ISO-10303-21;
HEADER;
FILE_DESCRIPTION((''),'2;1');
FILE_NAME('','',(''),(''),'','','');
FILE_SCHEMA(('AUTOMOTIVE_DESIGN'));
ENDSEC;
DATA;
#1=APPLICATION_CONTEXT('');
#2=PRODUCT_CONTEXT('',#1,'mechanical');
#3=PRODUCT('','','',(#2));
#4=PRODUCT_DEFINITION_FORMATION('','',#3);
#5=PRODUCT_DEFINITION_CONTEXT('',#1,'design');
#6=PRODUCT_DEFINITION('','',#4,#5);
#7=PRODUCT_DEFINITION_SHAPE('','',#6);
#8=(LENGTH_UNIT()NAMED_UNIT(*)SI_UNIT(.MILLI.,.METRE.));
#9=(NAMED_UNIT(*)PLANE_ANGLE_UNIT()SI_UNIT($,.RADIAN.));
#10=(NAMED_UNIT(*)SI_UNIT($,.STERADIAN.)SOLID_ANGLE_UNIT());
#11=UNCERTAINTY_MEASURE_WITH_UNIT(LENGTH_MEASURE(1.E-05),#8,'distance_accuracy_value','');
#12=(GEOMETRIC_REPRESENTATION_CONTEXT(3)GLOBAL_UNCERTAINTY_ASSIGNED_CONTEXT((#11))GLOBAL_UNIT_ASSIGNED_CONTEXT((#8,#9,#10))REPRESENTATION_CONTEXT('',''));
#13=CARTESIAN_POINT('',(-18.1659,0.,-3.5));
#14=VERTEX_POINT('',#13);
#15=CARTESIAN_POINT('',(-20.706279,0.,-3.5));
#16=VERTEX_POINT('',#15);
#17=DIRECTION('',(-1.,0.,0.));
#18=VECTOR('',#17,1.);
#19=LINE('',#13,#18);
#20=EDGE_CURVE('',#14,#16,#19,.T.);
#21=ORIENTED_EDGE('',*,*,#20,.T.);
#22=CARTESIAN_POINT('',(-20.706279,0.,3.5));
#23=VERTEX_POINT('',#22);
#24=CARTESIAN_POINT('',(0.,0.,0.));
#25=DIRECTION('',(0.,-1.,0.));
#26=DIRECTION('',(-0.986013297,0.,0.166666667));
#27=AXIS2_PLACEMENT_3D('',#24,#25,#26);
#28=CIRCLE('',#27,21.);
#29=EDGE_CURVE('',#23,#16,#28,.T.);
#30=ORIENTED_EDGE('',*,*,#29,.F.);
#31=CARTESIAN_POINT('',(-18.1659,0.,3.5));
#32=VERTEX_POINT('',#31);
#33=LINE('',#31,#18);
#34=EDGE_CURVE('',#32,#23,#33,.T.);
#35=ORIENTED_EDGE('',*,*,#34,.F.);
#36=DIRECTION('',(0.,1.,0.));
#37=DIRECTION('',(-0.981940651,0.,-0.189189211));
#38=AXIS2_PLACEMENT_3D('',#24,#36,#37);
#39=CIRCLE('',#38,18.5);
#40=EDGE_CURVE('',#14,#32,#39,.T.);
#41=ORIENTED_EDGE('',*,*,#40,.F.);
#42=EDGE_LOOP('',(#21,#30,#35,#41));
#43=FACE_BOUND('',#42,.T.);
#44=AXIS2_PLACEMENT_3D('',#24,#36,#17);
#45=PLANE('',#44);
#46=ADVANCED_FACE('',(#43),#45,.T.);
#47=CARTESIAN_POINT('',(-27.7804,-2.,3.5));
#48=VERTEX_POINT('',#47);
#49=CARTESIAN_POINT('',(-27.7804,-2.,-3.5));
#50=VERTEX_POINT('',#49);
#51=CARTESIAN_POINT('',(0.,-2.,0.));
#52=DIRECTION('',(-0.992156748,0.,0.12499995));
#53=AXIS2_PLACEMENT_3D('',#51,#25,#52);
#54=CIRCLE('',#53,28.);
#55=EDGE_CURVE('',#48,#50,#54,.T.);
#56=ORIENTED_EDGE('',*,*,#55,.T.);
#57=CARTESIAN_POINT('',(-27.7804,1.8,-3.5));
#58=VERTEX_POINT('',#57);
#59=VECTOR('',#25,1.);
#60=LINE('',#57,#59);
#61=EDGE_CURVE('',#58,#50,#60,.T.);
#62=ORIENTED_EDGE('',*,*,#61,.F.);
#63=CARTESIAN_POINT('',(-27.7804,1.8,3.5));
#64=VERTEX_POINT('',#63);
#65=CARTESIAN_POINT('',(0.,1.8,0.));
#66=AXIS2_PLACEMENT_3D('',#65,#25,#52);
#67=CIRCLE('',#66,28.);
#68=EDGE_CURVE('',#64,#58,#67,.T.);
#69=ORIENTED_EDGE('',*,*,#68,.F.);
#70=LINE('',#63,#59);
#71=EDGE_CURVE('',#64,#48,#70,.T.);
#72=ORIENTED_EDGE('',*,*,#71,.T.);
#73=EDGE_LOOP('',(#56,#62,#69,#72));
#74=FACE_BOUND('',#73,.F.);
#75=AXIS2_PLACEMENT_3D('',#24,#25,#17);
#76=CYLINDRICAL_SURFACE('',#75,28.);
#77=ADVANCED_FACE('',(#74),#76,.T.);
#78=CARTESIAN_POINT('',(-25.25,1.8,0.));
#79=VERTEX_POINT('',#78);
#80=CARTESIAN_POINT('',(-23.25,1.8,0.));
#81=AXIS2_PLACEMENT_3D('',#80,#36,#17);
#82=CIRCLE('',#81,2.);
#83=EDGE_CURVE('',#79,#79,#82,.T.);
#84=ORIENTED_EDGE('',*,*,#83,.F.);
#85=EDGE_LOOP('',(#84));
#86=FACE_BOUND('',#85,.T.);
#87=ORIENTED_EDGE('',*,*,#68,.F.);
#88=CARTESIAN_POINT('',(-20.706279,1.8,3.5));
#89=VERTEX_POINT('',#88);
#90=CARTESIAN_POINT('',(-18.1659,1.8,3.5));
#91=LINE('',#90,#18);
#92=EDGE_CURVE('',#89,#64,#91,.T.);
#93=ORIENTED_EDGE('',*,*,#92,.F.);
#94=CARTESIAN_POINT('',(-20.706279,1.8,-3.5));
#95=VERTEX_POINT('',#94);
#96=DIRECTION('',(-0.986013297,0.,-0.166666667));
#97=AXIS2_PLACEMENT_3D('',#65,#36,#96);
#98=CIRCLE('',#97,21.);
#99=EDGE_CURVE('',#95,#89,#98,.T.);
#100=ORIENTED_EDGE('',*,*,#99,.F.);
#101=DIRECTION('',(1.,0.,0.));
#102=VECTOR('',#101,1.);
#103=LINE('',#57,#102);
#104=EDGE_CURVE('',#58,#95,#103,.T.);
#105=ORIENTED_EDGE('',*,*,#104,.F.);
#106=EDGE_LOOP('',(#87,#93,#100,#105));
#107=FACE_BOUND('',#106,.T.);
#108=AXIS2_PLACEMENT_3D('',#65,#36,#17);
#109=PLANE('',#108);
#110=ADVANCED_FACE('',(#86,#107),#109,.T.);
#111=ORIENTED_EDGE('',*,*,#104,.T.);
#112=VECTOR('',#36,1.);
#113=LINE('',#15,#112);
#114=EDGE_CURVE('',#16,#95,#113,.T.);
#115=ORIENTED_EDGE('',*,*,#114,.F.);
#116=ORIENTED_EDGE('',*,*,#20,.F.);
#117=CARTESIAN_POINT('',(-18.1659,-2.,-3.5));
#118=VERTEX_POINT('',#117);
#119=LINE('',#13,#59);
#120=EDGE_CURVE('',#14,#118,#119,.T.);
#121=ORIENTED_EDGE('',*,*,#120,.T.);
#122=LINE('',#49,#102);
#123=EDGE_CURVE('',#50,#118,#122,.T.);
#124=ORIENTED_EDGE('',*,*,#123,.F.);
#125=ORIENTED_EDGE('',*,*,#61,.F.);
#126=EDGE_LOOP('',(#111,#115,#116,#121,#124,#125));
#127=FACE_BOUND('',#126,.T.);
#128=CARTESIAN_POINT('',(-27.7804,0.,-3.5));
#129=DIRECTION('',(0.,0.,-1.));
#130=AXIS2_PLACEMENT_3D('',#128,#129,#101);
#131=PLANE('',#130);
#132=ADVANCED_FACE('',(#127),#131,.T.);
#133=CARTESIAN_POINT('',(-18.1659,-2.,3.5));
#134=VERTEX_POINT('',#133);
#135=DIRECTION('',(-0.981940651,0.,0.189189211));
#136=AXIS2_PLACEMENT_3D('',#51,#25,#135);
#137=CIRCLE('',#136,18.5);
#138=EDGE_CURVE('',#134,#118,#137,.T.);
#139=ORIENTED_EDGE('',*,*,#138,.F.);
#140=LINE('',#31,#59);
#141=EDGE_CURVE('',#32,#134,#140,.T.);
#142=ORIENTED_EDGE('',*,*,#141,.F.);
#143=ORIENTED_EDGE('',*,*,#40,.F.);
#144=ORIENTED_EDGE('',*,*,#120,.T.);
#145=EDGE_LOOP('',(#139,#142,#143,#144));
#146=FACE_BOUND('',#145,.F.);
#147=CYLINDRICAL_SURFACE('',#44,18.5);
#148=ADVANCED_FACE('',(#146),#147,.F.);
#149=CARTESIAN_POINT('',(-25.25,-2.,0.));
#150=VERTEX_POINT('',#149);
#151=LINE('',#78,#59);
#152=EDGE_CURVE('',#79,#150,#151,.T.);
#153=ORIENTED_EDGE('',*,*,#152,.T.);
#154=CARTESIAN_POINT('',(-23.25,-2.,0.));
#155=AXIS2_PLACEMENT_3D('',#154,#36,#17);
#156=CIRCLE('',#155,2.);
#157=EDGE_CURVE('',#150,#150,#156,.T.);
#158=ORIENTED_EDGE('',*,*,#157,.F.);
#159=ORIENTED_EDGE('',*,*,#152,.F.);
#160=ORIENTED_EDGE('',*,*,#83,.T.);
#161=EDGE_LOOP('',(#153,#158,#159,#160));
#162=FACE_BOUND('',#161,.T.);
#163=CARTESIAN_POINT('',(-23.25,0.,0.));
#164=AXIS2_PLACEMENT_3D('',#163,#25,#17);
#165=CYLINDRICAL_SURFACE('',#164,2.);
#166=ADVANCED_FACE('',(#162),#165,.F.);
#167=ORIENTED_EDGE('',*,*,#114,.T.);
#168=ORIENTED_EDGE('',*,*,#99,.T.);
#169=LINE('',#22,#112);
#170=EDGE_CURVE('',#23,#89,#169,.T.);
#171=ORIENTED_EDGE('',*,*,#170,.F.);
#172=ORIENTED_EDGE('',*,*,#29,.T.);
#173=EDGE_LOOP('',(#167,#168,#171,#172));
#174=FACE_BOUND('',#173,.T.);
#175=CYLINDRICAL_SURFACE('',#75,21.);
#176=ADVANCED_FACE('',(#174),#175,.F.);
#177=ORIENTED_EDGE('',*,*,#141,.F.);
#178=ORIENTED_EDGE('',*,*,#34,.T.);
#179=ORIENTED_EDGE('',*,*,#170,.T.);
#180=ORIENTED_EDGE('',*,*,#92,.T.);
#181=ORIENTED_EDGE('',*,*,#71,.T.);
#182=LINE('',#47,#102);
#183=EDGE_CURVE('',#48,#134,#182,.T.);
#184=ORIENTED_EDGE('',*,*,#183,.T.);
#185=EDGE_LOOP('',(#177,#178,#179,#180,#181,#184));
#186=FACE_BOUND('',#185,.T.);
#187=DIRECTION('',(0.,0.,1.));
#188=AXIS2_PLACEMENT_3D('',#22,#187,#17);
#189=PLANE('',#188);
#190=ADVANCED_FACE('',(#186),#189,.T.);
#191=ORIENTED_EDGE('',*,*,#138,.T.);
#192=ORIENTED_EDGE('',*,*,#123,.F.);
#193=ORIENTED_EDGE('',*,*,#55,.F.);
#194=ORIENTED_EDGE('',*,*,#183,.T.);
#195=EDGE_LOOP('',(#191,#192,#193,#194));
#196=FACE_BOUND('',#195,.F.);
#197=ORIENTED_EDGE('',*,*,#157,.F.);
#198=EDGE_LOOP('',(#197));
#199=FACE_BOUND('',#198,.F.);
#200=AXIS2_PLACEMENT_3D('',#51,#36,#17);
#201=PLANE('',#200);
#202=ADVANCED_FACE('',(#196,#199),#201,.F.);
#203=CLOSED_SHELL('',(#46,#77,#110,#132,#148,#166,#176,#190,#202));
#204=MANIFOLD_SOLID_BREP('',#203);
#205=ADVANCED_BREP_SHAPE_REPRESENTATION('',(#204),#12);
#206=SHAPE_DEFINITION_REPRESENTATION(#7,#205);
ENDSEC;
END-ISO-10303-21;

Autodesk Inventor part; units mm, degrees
ref_plane "YZ Plane" through (0, 0, 0) normal (1, 0, 0) x (0, 1, 0)
ref_plane "XZ Plane" through (0, 0, 0) normal (0, 1, 0) x (-1, 0, 0)
ref_plane "XY Plane" through (0, 0, 0) normal (0, 0, 1) x (1, 0, 0)
sketch "Sketch2" plane through (0, 0, 0) normal (0, 1, 0) x (-1, 0, 0)
  circle A0 centre (0, 0) radius 18.5
  circle A1 centre (0, 0) radius 28
  line L0 (18.5, 0) -> (28, 0) construction
  circle A2 centre (23.25, 0) radius 1.5
  circle A3 centre (11.625, 20.1351) radius 1.5
  circle A4 centre (-11.625, 20.1351) radius 1.5
  circle A5 centre (-23.25, 0) radius 1.5
  circle A6 centre (-11.625, -20.1351) radius 1.5
  circle A7 centre (11.625, -20.1351) radius 1.5
  circle A8 centre (0, 0) radius 20
  circle A9 centre (0, 0) radius 21
  line L1 (18.1659, 3.5) -> (27.7804, 3.5)
  line L2 (27.7804, -3.5) -> (18.1659, -3.5)
  circle A10 centre (23.25, 0) radius 2
  point P0 (-28, 0)
  point P1 (20.7063, -3.5)
  point P2 (20.7063, 3.5)
  dimension "d8" = 37
  dimension "d9" = 3
  dimension "d10" = 360
  dimension "d11" = 56
  dimension "d12" = 40
  dimension "d13" = 42
  dimension "d14" = 3.5
  dimension "d15" = 3.5
  dimension "d16" = 4
extrude "Extrusion1" add sketch "Sketch2" along normal blind 1.8 contours L1 A1 L2 A9 picked at (23.9926, 2.9951)
extrude "Extrusion2" add sketch "Sketch2" against normal blind 2 contours A0 L1 A8 L2 | L1 A9 L2 A8 | L1 A1 L2 A9 picked at (18.7362, 3.1137) picked at (20.0868, -3.1133) picked at (23.9926, 2.9951)
properties part number "ClipsForLens"
